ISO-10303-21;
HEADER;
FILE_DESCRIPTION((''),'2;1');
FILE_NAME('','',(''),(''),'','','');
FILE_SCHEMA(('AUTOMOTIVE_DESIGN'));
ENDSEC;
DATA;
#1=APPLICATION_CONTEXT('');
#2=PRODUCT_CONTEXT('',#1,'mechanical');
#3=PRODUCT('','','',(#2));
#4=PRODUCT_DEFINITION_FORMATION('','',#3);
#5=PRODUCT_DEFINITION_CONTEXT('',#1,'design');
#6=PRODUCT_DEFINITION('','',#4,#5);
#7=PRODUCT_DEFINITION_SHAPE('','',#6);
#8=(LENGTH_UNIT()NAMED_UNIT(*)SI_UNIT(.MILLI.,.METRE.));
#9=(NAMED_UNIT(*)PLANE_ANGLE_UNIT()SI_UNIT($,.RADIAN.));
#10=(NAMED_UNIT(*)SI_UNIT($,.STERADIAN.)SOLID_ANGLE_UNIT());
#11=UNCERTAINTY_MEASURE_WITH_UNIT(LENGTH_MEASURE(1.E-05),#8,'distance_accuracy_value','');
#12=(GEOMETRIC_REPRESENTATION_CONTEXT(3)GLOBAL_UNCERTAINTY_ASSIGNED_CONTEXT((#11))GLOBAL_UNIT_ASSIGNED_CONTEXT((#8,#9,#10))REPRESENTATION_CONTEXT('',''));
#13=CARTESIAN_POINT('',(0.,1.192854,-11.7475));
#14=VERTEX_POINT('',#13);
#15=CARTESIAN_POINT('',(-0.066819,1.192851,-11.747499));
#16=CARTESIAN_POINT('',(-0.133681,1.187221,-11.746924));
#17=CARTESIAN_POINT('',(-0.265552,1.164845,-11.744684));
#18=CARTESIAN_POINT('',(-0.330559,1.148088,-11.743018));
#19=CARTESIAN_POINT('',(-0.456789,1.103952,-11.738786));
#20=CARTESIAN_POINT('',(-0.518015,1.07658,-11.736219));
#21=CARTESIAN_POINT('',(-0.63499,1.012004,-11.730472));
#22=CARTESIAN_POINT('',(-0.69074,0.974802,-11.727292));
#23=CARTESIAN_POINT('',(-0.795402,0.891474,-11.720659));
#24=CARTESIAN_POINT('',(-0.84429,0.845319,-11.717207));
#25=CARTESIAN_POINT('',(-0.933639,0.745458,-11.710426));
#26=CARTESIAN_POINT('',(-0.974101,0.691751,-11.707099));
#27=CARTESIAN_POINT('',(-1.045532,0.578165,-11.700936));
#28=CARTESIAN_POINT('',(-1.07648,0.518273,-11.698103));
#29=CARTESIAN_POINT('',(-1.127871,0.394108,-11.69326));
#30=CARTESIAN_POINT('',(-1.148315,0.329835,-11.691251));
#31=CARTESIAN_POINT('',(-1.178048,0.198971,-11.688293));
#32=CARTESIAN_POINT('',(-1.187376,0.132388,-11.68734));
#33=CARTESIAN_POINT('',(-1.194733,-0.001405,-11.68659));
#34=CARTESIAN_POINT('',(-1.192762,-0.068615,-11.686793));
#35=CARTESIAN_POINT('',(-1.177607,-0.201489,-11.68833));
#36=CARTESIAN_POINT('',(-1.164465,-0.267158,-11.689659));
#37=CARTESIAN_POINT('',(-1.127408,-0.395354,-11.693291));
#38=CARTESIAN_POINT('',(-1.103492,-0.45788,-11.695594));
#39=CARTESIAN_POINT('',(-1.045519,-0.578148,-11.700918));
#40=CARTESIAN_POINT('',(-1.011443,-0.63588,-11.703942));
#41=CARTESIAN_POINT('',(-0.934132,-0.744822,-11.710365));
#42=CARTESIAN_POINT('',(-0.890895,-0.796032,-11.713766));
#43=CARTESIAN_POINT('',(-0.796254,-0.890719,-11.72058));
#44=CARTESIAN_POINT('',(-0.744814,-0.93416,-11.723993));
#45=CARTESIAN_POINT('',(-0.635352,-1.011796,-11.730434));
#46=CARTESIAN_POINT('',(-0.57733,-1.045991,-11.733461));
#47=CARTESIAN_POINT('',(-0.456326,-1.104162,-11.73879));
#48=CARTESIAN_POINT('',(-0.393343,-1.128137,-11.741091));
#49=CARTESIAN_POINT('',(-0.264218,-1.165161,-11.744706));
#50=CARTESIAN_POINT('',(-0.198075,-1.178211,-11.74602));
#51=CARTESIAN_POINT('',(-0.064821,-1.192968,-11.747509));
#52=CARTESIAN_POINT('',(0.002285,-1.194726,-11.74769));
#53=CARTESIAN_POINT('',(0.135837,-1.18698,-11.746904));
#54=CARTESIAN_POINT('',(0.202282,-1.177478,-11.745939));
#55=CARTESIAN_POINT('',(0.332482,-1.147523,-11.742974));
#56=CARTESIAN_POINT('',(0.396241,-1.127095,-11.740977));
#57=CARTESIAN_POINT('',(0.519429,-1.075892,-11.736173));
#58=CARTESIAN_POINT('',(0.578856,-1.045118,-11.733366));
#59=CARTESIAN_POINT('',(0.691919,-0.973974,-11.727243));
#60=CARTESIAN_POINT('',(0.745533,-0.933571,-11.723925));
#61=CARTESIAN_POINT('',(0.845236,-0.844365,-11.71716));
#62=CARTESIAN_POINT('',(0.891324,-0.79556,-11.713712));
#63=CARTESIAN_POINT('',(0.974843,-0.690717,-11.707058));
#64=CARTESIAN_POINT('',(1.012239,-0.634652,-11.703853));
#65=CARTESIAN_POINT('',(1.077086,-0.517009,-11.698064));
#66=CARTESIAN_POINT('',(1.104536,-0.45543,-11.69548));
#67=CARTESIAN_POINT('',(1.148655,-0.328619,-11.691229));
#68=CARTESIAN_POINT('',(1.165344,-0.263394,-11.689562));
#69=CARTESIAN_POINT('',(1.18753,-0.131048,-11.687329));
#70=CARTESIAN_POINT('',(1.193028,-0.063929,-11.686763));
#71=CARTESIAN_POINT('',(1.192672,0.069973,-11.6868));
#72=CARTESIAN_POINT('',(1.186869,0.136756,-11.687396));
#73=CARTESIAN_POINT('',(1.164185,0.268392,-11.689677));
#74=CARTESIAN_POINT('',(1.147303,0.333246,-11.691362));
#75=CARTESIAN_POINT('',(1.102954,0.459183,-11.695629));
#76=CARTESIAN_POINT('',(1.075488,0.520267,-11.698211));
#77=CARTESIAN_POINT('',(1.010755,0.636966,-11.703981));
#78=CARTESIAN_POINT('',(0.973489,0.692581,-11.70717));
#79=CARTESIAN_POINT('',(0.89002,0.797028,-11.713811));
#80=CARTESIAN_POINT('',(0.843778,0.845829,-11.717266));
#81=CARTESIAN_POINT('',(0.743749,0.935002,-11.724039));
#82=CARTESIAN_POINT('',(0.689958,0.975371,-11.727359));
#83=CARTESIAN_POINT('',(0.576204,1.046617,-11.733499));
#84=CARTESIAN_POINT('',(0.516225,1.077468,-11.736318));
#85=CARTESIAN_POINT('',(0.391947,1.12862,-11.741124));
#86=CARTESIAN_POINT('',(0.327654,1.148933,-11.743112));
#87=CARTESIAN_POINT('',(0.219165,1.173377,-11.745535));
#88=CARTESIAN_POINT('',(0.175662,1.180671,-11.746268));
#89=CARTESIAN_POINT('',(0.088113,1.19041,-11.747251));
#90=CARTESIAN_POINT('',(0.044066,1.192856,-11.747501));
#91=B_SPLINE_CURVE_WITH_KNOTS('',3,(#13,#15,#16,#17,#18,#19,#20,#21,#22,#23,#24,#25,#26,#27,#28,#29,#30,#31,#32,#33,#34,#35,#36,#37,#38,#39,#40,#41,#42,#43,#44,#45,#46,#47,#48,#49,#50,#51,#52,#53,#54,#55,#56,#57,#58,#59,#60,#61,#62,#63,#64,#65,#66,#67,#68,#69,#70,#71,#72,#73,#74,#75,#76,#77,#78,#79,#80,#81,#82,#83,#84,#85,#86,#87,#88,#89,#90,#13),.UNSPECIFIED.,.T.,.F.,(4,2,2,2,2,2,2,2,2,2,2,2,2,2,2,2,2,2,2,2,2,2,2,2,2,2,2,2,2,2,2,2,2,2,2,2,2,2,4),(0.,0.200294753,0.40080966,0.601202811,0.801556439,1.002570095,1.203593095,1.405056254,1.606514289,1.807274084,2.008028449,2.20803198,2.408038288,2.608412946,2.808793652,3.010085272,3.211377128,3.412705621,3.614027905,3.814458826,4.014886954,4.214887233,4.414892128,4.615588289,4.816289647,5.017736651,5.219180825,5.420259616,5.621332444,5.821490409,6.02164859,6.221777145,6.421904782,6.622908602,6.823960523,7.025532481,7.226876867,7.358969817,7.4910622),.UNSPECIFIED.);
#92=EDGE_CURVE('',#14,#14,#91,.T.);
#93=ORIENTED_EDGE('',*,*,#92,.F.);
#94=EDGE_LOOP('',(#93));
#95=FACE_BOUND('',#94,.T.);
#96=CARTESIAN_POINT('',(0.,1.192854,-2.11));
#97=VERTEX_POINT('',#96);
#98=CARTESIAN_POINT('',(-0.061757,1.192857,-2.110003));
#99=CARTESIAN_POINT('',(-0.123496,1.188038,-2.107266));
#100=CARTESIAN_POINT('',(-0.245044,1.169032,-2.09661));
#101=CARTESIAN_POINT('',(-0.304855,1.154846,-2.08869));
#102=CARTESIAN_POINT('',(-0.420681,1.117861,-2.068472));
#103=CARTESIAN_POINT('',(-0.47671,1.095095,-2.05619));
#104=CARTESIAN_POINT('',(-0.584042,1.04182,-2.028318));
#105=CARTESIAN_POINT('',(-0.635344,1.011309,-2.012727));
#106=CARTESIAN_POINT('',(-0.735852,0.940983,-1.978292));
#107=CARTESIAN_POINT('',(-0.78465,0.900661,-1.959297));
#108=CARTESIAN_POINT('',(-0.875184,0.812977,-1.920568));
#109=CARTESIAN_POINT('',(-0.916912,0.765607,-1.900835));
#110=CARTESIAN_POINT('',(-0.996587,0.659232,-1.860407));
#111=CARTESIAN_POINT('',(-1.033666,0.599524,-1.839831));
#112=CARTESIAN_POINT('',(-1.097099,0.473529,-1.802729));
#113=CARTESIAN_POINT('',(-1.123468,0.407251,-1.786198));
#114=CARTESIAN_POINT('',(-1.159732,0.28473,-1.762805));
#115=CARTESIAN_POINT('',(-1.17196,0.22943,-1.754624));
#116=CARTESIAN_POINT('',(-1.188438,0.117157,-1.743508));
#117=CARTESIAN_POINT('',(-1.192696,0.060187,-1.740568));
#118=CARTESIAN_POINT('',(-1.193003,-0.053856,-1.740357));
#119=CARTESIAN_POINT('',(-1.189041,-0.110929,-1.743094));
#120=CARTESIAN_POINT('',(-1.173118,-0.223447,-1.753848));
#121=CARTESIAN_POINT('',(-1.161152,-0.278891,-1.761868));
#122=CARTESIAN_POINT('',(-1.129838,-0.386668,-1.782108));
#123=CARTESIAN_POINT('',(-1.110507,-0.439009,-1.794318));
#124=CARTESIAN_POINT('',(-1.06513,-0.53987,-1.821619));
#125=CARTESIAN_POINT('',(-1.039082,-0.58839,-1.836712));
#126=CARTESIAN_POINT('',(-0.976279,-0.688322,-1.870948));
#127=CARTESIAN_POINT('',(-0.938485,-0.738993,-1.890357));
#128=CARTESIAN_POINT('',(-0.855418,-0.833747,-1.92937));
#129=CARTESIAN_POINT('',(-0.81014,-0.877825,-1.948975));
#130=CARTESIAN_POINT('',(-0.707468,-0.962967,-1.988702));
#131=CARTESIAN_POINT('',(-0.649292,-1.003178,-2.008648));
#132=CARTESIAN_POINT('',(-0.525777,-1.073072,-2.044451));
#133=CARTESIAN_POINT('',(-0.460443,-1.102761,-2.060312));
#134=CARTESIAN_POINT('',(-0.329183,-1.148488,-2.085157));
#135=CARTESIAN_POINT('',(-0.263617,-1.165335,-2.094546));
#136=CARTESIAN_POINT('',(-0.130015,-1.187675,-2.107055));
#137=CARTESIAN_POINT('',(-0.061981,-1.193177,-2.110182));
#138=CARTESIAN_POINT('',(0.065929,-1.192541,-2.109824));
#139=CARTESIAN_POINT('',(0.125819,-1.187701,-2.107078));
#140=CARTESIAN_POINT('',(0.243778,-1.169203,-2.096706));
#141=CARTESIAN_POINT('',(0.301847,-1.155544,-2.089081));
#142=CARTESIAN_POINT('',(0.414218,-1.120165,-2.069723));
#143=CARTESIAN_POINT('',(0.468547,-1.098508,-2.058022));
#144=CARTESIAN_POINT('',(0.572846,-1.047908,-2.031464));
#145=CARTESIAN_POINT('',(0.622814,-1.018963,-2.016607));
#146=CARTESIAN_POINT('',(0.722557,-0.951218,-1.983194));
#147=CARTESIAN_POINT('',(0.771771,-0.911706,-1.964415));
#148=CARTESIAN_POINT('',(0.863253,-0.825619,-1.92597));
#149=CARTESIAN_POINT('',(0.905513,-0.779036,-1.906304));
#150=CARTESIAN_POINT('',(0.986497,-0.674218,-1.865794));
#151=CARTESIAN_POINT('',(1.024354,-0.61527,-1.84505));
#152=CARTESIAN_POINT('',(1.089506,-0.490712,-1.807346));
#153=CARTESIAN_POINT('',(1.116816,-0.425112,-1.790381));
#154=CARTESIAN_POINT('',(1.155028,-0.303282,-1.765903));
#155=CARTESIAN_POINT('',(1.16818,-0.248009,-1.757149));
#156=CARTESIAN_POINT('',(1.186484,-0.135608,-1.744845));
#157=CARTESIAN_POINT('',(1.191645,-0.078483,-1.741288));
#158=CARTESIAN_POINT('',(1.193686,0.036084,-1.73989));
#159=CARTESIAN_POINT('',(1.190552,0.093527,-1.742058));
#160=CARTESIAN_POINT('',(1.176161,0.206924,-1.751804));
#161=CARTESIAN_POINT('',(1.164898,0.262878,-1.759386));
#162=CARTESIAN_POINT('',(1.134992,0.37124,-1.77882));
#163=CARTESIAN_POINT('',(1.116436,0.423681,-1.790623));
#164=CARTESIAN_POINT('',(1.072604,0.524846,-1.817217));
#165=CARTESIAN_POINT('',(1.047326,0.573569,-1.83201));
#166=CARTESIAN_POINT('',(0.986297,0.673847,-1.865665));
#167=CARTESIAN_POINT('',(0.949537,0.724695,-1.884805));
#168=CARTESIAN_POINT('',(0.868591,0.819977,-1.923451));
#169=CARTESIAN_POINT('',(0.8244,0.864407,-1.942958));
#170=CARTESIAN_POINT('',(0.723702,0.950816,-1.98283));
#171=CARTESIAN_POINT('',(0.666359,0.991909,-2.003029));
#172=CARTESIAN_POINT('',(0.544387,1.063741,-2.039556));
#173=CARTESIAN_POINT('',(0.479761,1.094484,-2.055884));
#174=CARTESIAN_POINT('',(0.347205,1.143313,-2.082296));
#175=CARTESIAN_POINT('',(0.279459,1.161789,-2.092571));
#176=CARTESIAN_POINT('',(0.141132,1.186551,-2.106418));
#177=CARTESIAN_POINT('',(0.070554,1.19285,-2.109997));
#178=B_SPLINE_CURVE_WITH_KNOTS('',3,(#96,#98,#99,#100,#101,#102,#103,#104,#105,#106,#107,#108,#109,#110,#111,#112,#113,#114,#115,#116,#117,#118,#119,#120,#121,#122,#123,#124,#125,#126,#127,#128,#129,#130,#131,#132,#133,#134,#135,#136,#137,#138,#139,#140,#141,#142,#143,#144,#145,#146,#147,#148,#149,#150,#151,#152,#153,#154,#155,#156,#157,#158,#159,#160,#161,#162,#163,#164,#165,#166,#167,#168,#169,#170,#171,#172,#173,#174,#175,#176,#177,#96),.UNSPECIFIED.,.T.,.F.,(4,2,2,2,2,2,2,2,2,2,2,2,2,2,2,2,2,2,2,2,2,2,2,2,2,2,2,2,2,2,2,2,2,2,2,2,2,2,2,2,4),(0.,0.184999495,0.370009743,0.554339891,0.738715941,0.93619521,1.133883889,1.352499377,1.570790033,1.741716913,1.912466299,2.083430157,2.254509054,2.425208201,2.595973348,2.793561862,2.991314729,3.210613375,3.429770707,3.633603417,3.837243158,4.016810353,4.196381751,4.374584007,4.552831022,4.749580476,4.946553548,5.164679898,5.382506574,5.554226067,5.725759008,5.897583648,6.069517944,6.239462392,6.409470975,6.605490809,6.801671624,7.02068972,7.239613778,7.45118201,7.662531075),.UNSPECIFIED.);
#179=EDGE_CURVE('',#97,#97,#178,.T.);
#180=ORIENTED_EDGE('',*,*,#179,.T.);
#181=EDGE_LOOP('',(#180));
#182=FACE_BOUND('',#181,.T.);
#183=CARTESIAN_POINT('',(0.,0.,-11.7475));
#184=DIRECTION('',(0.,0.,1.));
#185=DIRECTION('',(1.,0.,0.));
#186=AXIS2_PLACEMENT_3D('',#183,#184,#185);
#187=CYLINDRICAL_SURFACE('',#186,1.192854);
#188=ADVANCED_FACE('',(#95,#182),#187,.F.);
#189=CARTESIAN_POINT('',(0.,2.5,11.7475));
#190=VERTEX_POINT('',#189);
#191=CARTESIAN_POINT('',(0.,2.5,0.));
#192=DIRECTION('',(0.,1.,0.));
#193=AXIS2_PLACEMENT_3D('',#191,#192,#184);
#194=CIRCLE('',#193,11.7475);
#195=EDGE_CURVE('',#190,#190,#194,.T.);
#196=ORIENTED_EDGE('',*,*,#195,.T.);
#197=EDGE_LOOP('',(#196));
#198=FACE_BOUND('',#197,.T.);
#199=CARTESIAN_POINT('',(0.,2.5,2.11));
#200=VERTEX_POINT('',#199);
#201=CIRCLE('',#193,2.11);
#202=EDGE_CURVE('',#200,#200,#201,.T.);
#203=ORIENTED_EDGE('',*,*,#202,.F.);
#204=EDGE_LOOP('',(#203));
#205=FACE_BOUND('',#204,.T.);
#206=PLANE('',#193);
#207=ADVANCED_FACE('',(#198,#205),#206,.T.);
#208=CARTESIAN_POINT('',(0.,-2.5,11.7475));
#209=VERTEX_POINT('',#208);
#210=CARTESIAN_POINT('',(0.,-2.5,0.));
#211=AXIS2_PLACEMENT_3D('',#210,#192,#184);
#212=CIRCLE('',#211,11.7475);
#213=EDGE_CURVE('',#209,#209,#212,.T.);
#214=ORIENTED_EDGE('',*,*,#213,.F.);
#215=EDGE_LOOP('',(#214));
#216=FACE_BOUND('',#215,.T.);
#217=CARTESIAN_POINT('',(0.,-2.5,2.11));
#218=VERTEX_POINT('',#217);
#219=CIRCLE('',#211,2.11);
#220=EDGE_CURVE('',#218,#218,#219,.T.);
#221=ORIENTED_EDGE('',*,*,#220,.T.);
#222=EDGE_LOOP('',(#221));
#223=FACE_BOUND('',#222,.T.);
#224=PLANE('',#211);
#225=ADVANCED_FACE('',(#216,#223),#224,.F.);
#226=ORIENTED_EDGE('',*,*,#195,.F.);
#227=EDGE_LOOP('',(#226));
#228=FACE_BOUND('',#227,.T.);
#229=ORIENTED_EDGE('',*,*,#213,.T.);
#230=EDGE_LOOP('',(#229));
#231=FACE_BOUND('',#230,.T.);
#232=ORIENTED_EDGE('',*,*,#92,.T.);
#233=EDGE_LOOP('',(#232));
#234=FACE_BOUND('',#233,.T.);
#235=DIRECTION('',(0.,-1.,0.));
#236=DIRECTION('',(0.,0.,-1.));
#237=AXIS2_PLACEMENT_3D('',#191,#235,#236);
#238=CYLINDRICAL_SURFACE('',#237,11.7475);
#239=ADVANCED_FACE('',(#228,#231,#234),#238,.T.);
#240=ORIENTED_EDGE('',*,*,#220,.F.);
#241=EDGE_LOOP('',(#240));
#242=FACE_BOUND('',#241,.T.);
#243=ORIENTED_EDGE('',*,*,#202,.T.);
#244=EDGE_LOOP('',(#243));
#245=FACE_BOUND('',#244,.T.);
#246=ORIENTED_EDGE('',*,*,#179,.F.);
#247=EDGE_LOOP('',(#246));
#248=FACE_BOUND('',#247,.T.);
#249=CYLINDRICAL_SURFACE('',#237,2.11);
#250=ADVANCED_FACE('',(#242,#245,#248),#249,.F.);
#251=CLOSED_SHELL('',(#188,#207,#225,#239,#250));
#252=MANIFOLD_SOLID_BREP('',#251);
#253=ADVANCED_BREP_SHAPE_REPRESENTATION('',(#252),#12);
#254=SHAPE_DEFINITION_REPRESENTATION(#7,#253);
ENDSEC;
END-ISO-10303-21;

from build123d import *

# Parameters (mm, degrees)
SKETCH1_R           = 11.7475
SKETCH1_R_2         = 2.11
BOSS_EXTRUDE1_DEPTH = 2.5
SKETCH2_R           = 1.192853847
CUT_EXTRUDE1_DEPTH  = 17.800521197


with BuildPart() as part:
    # Sketch1 → Boss-Extrude1 (new, symmetric)
    with BuildSketch(Plane(origin=(0, 0, 0), x_dir=(1, 0, 0), z_dir=(0, 1, 0))):
        with Locations(Location((0, 0, 0), (0, 0, 270))):
            Circle(SKETCH1_R)
        with Locations(Location((0, 0, 0), (0, 0, 270))):
            Circle(SKETCH1_R_2, mode=Mode.SUBTRACT)
    extrude(amount=BOSS_EXTRUDE1_DEPTH, both=True)

    # Sketch2 → Cut-Extrude1 (cut, through all)
    with BuildSketch(Plane.XY):
        with Locations(Location((0, 0, 0), (0, 0, 90))):
            Circle(SKETCH2_R)
    extrude(amount=-CUT_EXTRUDE1_DEPTH, mode=Mode.SUBTRACT)


solid = part.part
